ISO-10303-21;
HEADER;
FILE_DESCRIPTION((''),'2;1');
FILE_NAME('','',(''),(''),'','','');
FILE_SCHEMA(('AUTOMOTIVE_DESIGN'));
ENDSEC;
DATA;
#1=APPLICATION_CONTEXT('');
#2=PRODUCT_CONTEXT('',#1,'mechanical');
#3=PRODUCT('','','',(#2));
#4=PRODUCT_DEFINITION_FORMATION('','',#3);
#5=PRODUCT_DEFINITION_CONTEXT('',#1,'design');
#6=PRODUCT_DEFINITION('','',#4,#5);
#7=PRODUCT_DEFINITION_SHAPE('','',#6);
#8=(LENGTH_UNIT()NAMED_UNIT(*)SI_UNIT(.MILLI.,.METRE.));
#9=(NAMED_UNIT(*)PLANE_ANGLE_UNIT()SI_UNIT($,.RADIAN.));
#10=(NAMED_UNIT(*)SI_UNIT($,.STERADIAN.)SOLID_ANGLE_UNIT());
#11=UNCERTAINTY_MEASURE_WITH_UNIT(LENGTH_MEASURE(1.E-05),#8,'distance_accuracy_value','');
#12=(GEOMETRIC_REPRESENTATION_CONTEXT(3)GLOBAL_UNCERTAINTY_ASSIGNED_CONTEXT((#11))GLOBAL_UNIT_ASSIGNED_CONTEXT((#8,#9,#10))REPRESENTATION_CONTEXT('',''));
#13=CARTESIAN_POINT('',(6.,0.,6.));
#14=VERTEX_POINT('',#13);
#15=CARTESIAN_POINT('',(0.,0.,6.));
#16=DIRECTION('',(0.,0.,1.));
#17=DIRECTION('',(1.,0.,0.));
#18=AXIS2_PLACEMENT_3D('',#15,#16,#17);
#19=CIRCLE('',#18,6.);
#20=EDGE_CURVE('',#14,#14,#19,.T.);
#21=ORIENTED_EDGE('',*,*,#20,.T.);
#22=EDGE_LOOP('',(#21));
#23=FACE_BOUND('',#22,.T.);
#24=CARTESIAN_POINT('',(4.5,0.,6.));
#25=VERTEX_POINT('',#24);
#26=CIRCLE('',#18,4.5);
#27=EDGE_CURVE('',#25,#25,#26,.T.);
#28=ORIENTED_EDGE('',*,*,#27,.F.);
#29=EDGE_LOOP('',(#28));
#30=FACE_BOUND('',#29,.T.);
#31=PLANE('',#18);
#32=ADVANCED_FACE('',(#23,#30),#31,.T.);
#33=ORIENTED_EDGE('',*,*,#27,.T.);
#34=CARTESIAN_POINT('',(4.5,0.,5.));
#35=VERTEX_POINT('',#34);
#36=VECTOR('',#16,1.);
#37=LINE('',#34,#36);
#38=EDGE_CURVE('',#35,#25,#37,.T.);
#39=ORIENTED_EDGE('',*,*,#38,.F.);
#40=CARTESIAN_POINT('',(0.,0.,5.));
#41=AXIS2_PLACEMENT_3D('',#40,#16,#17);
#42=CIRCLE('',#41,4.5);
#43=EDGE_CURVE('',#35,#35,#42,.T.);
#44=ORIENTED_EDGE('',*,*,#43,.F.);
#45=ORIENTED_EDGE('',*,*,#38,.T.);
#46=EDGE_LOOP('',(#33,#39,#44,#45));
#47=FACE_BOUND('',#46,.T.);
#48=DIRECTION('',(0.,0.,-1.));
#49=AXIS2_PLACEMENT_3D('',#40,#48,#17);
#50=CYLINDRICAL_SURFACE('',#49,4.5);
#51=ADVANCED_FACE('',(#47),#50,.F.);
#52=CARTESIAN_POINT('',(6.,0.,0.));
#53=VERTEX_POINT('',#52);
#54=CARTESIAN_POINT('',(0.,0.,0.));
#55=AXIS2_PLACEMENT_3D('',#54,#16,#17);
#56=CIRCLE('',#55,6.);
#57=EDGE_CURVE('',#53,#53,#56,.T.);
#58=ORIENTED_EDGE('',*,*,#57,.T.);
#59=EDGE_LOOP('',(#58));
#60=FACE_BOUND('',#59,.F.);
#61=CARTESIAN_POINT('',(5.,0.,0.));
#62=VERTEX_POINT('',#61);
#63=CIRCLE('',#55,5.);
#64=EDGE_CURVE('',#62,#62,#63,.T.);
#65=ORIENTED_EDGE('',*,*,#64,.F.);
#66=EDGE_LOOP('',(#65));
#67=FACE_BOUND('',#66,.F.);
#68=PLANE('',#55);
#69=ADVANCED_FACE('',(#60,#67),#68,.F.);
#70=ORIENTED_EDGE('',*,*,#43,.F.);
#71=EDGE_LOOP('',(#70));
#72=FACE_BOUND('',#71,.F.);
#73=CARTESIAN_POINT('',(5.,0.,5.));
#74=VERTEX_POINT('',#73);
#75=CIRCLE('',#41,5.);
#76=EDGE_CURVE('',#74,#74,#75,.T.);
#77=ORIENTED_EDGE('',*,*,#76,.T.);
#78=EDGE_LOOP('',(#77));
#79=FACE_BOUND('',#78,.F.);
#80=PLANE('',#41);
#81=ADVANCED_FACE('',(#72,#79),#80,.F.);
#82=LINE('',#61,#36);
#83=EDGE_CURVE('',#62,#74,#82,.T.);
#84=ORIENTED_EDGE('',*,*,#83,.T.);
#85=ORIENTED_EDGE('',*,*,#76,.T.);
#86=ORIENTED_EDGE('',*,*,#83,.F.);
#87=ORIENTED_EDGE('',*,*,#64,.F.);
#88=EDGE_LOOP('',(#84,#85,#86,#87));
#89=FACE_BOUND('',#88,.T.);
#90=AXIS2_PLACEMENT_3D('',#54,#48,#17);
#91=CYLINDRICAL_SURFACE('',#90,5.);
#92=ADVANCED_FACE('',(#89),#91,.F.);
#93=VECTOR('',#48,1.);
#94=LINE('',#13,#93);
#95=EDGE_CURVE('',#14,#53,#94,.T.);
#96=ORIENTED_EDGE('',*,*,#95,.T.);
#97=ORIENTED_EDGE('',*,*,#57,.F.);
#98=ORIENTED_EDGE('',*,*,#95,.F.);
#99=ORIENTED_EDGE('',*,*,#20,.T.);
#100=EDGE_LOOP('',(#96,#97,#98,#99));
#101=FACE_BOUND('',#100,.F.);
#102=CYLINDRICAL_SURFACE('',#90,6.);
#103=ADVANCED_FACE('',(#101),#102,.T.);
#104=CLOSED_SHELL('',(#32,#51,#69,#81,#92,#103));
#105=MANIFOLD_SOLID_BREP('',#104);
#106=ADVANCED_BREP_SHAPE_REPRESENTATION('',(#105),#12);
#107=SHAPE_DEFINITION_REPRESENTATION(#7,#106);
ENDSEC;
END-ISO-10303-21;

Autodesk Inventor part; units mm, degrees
ref_plane "YZ Plane" through (0, 0, 0) normal (1, 0, 0) x (0, 1, 0)
ref_plane "XZ Plane" through (0, 0, 0) normal (0, 1, 0) x (-1, 0, 0)
ref_plane "XY Plane" through (0, 0, 0) normal (0, 0, 1) x (1, 0, 0)
sketch "Sketch1" plane through (0, 0, 0) normal (0, 0, 1) x (1, 0, 0)
  circle A0 centre (0, 0) radius 5
  circle A1 centre (0, 0) radius 6
  dimension "d0" = 10
  dimension "d1" = 12
extrude "Extrusion1" add sketch "Sketch1" along normal blind 5
sketch "Sketch2" plane through (0, 0, 5) normal (0, 0, 1) x (1, 0, 0)
  circle A0 centre (0, 0) radius 6 projected
  circle A1 centre (0, 0) radius 4.5
  dimension "d4" = 9
extrude "Extrusion2" add sketch "Sketch2" along normal blind 1
properties part number "hubstack_base"
